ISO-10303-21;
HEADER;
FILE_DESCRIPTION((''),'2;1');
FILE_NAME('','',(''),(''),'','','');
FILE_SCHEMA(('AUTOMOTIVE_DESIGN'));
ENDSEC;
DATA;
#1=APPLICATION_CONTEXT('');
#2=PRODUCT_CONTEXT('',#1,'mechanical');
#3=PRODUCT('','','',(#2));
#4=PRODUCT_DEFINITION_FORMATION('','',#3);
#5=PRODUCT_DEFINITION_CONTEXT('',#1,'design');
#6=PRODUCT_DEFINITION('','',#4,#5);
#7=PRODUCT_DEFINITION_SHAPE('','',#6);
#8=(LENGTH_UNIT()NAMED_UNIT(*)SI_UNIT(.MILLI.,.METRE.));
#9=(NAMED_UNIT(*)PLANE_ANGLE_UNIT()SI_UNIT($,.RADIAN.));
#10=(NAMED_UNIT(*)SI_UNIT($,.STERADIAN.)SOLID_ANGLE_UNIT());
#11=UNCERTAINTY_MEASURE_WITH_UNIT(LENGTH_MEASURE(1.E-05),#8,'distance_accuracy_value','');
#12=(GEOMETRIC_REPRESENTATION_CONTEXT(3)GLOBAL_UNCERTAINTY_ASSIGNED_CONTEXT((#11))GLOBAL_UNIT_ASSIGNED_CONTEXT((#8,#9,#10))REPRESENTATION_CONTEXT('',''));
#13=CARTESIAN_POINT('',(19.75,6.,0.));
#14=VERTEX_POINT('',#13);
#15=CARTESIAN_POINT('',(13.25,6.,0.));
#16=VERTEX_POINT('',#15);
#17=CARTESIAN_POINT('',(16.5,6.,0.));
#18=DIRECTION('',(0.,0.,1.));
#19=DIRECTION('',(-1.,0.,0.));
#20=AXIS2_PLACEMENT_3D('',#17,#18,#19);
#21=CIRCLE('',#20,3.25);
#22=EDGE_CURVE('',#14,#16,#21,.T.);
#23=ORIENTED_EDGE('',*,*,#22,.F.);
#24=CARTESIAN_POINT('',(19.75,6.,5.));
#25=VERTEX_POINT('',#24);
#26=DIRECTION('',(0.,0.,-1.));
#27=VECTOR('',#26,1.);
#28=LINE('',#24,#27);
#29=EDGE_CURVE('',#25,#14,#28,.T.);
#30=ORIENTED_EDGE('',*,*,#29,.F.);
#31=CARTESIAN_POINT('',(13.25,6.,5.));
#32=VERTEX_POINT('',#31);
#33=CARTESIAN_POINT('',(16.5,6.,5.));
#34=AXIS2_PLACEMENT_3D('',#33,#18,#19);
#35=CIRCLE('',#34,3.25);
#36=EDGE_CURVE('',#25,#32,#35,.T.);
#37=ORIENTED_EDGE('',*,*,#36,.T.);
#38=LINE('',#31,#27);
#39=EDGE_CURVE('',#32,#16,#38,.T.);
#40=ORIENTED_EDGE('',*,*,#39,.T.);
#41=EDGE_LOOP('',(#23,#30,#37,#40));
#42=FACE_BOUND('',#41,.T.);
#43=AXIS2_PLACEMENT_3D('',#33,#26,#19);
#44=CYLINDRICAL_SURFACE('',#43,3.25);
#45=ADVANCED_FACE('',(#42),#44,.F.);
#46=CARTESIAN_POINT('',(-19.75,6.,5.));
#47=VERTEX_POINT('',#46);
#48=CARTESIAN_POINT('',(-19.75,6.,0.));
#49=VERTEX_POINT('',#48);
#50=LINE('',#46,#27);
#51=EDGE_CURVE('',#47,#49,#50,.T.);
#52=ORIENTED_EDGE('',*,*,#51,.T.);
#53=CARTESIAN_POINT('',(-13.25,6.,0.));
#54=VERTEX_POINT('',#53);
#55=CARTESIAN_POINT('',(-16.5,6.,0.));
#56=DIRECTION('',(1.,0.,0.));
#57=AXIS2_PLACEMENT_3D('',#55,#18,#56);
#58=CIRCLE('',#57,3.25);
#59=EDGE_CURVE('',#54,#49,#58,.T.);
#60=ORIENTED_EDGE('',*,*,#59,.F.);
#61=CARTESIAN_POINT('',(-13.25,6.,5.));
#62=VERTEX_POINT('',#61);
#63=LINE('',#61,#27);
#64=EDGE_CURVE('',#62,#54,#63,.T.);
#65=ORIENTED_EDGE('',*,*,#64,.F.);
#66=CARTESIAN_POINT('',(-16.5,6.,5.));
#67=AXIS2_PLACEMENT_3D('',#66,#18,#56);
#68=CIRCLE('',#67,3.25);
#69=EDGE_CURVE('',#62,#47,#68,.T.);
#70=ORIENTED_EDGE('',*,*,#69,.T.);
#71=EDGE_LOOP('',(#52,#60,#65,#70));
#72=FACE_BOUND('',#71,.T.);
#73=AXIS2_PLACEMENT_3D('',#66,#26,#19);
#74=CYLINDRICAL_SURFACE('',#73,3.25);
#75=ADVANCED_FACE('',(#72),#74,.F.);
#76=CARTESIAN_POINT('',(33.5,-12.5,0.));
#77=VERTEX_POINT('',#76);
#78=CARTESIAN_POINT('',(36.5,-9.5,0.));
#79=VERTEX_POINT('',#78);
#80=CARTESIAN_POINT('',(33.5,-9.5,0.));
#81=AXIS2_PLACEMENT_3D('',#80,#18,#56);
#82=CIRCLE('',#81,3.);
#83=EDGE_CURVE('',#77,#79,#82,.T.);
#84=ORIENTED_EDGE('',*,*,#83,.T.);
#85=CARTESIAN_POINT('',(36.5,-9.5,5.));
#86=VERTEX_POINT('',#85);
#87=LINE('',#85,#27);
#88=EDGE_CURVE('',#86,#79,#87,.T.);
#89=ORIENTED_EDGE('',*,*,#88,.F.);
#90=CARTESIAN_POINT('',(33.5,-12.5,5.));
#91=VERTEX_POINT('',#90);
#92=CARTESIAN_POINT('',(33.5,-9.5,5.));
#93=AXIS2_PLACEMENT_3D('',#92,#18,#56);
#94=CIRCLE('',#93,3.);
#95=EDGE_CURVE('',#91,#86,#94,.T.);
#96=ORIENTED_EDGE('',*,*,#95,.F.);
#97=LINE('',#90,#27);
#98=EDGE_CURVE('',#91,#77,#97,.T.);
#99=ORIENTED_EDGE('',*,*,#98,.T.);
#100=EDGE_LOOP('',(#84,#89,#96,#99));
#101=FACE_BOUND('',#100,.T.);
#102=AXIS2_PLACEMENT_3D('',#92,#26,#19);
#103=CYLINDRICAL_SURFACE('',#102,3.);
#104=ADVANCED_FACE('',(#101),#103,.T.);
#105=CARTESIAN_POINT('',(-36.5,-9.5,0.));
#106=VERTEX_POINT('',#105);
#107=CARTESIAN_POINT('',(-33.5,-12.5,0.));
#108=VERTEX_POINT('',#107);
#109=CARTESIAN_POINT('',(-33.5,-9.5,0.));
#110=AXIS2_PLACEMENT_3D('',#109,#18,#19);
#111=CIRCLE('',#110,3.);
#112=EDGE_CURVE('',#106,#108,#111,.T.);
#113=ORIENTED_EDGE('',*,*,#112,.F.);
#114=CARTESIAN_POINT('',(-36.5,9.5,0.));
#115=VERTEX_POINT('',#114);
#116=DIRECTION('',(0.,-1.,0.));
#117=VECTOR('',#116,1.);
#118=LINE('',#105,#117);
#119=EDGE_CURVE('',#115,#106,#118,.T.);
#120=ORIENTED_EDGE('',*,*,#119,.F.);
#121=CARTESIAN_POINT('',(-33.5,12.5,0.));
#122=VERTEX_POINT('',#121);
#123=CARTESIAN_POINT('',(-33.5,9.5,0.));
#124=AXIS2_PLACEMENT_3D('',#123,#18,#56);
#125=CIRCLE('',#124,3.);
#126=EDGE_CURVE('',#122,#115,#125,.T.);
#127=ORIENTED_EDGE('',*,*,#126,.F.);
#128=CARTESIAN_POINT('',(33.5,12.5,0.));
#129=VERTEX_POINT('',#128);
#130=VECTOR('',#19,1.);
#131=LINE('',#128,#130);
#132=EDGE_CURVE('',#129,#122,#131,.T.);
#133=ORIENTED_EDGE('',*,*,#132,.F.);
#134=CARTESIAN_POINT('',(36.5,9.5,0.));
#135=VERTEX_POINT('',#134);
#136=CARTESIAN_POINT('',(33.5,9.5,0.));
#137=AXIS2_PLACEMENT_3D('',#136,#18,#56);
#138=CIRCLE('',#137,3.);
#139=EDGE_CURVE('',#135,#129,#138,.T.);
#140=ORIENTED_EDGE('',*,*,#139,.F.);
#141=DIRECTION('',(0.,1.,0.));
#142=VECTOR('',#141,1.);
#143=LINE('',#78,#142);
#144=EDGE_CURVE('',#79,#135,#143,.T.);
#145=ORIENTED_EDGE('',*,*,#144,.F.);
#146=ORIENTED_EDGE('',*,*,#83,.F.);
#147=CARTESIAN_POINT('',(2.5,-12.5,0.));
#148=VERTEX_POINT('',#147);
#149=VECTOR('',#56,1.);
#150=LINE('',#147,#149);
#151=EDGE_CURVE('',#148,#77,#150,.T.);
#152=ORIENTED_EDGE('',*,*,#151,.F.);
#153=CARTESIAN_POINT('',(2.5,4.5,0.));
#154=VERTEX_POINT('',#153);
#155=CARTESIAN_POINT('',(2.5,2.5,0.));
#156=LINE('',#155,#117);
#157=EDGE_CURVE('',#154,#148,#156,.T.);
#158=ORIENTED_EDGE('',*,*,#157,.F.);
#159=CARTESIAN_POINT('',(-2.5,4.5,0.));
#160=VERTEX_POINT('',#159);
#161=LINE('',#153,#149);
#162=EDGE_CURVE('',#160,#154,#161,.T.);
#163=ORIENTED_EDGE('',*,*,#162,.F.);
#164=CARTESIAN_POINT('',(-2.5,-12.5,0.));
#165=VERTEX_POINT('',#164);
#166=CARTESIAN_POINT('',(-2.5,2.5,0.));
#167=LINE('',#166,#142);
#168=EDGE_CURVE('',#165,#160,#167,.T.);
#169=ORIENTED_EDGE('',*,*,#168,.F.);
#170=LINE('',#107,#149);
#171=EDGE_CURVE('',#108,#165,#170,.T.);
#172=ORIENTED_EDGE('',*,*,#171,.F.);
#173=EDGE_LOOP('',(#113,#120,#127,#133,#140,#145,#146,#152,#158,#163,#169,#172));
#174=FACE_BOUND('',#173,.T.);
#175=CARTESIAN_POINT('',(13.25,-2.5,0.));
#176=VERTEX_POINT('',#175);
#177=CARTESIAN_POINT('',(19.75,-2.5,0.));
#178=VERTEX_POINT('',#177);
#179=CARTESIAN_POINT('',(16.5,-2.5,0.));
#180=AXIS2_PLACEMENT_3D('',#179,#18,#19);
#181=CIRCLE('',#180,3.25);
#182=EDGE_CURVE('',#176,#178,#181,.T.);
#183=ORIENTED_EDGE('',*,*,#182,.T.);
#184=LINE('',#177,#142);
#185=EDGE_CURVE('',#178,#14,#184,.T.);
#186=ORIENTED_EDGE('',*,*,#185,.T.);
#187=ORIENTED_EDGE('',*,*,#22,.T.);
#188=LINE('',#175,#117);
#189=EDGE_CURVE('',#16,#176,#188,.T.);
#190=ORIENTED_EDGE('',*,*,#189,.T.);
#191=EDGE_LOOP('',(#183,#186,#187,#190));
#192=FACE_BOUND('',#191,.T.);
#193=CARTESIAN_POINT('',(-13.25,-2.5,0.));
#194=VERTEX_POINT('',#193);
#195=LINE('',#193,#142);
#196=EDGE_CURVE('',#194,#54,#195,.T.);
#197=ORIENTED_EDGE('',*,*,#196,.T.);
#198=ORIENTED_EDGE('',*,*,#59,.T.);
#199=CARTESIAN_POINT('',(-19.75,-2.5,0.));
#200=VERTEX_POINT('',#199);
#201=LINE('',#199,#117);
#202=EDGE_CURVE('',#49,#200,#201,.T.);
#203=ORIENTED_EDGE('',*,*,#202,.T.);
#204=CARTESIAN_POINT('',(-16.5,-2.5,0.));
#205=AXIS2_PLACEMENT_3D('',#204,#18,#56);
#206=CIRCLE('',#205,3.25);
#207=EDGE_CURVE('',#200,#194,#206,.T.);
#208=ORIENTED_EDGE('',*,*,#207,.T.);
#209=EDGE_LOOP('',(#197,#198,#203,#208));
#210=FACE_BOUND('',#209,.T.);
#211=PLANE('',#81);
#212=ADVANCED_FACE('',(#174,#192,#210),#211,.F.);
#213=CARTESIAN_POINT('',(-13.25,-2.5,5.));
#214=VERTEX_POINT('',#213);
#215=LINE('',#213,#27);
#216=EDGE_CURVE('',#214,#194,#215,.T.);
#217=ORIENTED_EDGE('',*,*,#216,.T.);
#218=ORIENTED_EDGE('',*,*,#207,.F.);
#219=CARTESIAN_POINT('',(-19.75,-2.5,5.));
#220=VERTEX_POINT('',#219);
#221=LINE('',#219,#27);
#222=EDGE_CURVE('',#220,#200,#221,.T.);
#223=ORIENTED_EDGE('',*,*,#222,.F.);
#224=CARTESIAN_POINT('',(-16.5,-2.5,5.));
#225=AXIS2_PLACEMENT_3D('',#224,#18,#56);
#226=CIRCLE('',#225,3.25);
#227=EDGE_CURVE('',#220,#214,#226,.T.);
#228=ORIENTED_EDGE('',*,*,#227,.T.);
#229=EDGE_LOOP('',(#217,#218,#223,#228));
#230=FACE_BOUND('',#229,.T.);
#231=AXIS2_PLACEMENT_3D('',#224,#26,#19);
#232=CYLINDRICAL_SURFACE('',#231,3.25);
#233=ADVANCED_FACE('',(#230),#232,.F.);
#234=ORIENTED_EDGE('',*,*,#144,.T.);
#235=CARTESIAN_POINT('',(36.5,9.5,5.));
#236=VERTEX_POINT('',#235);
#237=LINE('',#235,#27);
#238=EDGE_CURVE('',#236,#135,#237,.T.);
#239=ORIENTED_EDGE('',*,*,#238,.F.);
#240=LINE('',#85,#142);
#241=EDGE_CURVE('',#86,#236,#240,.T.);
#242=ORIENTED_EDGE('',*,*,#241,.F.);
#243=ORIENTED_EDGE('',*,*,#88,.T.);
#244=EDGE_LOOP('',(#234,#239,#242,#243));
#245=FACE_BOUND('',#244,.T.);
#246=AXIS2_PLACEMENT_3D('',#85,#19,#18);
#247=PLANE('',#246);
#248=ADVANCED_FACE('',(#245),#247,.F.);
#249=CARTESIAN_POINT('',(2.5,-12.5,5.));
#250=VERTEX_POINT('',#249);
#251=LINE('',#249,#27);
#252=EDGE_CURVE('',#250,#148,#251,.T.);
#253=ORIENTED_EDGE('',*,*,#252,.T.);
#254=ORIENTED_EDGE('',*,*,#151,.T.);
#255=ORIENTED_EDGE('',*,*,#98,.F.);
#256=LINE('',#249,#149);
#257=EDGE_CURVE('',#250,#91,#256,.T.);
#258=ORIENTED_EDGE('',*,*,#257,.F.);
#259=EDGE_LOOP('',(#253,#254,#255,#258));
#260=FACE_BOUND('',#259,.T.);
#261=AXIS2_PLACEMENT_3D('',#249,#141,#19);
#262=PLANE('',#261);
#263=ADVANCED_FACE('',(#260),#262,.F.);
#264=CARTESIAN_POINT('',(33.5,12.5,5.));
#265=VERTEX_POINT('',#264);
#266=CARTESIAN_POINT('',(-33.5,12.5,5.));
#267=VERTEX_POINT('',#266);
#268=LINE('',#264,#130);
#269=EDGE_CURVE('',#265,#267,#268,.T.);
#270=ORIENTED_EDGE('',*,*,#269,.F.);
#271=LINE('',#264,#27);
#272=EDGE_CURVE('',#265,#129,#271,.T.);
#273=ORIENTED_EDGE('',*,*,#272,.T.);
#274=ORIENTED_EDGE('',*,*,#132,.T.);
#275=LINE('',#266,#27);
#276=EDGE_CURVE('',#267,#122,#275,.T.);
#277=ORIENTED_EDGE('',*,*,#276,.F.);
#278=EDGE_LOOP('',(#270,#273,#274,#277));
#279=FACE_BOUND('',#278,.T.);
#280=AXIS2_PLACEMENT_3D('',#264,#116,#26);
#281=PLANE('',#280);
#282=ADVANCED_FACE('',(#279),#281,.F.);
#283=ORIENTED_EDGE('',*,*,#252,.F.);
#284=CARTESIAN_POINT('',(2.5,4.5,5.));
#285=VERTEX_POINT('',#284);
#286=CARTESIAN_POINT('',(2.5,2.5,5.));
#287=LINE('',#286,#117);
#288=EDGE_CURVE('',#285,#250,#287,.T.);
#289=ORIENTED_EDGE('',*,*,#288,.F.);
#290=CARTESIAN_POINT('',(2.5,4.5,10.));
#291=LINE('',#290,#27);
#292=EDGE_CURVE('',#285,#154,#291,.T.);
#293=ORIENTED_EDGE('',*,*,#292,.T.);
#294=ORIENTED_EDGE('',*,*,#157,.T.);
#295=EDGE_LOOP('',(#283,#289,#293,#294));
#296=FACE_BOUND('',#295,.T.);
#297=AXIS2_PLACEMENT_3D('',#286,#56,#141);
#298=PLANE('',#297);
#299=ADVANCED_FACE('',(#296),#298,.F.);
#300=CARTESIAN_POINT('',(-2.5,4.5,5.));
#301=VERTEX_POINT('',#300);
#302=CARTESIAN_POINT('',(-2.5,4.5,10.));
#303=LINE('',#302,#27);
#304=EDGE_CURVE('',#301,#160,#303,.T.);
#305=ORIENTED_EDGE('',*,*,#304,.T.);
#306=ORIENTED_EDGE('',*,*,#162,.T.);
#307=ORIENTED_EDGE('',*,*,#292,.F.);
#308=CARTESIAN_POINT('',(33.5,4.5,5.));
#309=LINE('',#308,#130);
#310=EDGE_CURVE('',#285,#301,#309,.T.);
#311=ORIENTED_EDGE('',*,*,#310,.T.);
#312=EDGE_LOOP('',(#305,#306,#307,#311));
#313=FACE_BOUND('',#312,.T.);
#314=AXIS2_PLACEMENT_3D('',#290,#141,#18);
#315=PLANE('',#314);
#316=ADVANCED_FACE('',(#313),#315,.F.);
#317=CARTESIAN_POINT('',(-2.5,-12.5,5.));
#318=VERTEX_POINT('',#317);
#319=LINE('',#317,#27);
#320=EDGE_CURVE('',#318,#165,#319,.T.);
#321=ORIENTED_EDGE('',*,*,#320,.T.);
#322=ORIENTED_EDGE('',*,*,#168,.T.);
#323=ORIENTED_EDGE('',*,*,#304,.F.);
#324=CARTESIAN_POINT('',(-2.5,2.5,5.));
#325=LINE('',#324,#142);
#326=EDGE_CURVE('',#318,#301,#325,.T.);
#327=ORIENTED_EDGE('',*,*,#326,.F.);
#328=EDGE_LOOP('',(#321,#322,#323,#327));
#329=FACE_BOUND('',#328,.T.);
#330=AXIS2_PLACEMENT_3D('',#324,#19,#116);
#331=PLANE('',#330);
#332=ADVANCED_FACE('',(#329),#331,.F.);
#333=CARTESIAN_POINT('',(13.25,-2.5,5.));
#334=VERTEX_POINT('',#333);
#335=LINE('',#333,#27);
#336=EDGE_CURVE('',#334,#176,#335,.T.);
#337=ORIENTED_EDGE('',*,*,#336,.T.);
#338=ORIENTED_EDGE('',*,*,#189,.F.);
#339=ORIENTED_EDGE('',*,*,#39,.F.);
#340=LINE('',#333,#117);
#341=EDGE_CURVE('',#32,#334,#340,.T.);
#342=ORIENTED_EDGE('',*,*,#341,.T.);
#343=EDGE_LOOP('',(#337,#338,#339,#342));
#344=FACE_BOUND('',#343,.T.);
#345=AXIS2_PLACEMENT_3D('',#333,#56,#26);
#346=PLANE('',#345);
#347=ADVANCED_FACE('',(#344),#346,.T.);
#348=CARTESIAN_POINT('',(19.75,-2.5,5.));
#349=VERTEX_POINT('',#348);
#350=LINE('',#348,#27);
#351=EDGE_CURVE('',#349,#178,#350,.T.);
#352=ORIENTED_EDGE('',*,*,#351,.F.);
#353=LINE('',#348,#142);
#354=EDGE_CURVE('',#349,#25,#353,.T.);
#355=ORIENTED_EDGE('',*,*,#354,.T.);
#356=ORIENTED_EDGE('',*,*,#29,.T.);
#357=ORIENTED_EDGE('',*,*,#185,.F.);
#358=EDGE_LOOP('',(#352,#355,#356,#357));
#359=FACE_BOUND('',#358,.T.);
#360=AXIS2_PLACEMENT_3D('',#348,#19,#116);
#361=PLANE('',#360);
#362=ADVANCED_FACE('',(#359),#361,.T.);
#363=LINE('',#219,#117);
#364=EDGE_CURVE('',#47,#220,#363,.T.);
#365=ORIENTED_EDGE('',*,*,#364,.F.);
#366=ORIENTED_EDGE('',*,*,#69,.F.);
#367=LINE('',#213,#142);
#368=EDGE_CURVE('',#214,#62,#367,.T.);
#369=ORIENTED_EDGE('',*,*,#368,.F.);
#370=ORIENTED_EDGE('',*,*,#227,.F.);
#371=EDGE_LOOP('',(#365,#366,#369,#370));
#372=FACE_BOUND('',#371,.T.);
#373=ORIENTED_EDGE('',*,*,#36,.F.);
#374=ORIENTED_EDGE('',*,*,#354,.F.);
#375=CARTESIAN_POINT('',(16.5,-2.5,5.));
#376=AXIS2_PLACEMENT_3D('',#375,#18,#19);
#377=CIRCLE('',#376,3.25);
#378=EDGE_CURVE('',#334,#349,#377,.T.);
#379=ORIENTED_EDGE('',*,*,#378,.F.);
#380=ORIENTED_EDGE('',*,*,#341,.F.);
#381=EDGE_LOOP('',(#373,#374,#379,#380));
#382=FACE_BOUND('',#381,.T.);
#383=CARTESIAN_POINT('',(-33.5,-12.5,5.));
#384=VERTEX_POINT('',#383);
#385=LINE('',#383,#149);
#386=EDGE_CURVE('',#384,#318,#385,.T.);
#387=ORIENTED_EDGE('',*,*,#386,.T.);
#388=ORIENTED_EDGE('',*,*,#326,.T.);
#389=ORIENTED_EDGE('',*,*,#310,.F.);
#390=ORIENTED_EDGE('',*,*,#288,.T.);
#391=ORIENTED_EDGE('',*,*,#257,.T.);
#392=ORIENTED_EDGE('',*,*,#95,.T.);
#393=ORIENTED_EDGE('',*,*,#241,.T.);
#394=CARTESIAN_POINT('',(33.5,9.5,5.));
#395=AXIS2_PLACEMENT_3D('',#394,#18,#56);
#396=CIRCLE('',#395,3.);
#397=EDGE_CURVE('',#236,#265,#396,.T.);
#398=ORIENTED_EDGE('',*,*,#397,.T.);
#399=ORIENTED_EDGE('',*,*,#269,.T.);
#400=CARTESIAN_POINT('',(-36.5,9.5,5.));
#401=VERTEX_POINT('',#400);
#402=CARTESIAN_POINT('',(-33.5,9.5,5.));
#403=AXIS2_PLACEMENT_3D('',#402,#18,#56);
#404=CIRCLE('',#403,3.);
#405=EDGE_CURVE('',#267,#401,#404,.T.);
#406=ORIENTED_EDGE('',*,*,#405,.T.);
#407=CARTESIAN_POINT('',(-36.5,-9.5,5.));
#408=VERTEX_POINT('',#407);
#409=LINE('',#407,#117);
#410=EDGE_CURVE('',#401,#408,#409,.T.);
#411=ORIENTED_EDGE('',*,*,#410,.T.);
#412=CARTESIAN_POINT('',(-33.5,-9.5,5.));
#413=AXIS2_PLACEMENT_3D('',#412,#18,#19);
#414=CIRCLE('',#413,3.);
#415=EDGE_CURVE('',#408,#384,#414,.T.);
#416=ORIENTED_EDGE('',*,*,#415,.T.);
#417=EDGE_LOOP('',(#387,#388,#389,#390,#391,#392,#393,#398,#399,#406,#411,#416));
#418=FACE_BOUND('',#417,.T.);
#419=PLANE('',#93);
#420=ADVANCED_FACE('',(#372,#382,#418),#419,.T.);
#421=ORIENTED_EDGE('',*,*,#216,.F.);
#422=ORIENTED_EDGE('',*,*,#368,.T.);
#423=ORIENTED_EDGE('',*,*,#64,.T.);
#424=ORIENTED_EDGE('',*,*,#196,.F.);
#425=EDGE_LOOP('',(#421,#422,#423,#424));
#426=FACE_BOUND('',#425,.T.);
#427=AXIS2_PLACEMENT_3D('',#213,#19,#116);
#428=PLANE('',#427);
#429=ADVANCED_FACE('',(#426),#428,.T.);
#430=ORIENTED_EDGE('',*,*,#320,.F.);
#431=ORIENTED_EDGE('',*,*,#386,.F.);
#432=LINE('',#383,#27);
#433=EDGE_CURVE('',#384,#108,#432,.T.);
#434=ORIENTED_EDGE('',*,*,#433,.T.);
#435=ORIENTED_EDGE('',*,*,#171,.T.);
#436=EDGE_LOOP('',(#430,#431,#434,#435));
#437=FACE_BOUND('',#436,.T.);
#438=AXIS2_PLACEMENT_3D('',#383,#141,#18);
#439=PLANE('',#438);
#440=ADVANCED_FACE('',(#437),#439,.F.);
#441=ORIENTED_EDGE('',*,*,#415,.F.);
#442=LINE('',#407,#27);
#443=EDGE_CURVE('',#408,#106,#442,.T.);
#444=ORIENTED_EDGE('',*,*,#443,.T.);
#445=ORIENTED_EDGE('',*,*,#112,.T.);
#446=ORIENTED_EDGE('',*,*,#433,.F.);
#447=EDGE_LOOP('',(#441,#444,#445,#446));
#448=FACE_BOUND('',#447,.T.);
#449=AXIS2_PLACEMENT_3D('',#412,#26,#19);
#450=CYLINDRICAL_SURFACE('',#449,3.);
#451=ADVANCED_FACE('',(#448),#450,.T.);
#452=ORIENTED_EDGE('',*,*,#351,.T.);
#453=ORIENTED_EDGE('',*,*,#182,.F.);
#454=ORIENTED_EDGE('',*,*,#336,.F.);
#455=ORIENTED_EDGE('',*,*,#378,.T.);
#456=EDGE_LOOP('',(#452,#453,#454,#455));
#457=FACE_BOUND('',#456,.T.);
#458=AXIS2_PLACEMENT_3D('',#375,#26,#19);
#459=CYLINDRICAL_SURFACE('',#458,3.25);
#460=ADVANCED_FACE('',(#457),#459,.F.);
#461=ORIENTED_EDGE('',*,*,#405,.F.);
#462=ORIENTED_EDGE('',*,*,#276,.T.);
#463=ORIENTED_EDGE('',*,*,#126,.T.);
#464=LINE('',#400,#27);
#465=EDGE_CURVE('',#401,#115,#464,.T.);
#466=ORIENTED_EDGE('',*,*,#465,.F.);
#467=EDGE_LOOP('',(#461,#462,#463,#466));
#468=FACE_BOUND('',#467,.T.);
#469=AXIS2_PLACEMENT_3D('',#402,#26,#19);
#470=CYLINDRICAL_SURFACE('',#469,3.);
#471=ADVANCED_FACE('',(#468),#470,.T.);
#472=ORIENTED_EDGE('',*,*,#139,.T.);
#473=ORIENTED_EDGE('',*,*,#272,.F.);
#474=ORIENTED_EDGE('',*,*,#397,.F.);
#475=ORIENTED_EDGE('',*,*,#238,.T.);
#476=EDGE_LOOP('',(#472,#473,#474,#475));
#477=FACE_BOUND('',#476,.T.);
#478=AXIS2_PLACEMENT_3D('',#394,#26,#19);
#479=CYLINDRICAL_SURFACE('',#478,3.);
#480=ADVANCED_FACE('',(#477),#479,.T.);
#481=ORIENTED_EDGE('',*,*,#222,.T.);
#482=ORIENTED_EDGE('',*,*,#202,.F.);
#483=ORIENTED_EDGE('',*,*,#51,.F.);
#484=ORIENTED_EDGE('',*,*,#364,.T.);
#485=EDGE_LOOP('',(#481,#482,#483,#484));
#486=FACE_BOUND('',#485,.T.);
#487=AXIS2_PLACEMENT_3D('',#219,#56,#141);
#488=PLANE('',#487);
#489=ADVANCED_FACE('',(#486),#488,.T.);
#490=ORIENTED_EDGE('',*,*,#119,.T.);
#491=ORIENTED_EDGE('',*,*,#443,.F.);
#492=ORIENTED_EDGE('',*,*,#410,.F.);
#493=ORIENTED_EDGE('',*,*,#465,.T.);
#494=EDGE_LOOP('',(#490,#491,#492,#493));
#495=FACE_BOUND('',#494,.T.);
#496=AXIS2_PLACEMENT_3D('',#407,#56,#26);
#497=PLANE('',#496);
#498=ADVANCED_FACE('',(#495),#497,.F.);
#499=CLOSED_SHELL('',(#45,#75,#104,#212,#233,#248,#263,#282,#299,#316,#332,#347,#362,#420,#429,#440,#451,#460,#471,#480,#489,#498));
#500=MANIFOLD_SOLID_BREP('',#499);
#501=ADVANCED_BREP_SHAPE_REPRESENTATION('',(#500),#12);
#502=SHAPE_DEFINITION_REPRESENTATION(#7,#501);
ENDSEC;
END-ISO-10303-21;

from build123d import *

# Parameters (mm, degrees)
EXTRUDE_1_DEPTH     = 5
SKETCH_3_W          = 5
SKETCH_3_H          = 2
CUT_EXTRUDE_2_DEPTH = 10


with BuildPart() as part:
    # 草图1 → 凸台-拉伸1 (new body)
    with BuildSketch(Plane.XY):
        with BuildLine():
            Line((36.5, -9.5), (36.5, 9.5))
            ThreePointArc((36.5, 9.5), (35.621320344, 11.621320344), (33.5, 12.5))
            Line((33.5, 12.5), (-33.5, 12.5))
            ThreePointArc((-33.5, 12.5), (-35.621320344, 11.621320344), (-36.5, 9.5))
            Line((-36.5, 9.5), (-36.5, -9.5))
            ThreePointArc((-36.5, -9.5), (-35.621320344, -11.621320344), (-33.5, -12.5))
            Line((-33.5, -12.5), (-2.5, -12.5))
            Line((-2.5, -12.5), (-2.5, 2.5))
            Line((-2.5, 2.5), (2.5, 2.5))
            Line((2.5, 2.5), (2.5, -12.5))
            Line((2.5, -12.5), (33.5, -12.5))
            ThreePointArc((33.5, -12.5), (35.621320344, -11.621320344), (36.5, -9.5))
        make_face()
        with BuildLine():
            Line((-19.75, -2.5), (-19.75, 6))
            ThreePointArc((-19.75, 6), (-16.5, 9.25), (-13.25, 6))
            Line((-13.25, 6), (-13.25, -2.5))
            ThreePointArc((-13.25, -2.5), (-16.5, -5.75), (-19.75, -2.5))
        make_face(mode=Mode.SUBTRACT)
        with BuildLine():
            Line((19.75, -2.5), (19.75, 6))
            ThreePointArc((19.75, 6), (16.5, 9.25), (13.25, 6))
            Line((13.25, 6), (13.25, -2.5))
            ThreePointArc((13.25, -2.5), (16.5, -5.75), (19.75, -2.5))
        make_face(mode=Mode.SUBTRACT)
    extrude(amount=EXTRUDE_1_DEPTH)

    # 草图3 → 切除-拉伸2 (cut)
    with BuildSketch(Plane(origin=(0, 0, 0), x_dir=(-1, 0, 0), z_dir=(0, 0, -1))):
        with Locations((0, 3.5)):
            Rectangle(SKETCH_3_W, SKETCH_3_H)
    extrude(amount=-CUT_EXTRUDE_2_DEPTH, mode=Mode.SUBTRACT)


solid = part.part
